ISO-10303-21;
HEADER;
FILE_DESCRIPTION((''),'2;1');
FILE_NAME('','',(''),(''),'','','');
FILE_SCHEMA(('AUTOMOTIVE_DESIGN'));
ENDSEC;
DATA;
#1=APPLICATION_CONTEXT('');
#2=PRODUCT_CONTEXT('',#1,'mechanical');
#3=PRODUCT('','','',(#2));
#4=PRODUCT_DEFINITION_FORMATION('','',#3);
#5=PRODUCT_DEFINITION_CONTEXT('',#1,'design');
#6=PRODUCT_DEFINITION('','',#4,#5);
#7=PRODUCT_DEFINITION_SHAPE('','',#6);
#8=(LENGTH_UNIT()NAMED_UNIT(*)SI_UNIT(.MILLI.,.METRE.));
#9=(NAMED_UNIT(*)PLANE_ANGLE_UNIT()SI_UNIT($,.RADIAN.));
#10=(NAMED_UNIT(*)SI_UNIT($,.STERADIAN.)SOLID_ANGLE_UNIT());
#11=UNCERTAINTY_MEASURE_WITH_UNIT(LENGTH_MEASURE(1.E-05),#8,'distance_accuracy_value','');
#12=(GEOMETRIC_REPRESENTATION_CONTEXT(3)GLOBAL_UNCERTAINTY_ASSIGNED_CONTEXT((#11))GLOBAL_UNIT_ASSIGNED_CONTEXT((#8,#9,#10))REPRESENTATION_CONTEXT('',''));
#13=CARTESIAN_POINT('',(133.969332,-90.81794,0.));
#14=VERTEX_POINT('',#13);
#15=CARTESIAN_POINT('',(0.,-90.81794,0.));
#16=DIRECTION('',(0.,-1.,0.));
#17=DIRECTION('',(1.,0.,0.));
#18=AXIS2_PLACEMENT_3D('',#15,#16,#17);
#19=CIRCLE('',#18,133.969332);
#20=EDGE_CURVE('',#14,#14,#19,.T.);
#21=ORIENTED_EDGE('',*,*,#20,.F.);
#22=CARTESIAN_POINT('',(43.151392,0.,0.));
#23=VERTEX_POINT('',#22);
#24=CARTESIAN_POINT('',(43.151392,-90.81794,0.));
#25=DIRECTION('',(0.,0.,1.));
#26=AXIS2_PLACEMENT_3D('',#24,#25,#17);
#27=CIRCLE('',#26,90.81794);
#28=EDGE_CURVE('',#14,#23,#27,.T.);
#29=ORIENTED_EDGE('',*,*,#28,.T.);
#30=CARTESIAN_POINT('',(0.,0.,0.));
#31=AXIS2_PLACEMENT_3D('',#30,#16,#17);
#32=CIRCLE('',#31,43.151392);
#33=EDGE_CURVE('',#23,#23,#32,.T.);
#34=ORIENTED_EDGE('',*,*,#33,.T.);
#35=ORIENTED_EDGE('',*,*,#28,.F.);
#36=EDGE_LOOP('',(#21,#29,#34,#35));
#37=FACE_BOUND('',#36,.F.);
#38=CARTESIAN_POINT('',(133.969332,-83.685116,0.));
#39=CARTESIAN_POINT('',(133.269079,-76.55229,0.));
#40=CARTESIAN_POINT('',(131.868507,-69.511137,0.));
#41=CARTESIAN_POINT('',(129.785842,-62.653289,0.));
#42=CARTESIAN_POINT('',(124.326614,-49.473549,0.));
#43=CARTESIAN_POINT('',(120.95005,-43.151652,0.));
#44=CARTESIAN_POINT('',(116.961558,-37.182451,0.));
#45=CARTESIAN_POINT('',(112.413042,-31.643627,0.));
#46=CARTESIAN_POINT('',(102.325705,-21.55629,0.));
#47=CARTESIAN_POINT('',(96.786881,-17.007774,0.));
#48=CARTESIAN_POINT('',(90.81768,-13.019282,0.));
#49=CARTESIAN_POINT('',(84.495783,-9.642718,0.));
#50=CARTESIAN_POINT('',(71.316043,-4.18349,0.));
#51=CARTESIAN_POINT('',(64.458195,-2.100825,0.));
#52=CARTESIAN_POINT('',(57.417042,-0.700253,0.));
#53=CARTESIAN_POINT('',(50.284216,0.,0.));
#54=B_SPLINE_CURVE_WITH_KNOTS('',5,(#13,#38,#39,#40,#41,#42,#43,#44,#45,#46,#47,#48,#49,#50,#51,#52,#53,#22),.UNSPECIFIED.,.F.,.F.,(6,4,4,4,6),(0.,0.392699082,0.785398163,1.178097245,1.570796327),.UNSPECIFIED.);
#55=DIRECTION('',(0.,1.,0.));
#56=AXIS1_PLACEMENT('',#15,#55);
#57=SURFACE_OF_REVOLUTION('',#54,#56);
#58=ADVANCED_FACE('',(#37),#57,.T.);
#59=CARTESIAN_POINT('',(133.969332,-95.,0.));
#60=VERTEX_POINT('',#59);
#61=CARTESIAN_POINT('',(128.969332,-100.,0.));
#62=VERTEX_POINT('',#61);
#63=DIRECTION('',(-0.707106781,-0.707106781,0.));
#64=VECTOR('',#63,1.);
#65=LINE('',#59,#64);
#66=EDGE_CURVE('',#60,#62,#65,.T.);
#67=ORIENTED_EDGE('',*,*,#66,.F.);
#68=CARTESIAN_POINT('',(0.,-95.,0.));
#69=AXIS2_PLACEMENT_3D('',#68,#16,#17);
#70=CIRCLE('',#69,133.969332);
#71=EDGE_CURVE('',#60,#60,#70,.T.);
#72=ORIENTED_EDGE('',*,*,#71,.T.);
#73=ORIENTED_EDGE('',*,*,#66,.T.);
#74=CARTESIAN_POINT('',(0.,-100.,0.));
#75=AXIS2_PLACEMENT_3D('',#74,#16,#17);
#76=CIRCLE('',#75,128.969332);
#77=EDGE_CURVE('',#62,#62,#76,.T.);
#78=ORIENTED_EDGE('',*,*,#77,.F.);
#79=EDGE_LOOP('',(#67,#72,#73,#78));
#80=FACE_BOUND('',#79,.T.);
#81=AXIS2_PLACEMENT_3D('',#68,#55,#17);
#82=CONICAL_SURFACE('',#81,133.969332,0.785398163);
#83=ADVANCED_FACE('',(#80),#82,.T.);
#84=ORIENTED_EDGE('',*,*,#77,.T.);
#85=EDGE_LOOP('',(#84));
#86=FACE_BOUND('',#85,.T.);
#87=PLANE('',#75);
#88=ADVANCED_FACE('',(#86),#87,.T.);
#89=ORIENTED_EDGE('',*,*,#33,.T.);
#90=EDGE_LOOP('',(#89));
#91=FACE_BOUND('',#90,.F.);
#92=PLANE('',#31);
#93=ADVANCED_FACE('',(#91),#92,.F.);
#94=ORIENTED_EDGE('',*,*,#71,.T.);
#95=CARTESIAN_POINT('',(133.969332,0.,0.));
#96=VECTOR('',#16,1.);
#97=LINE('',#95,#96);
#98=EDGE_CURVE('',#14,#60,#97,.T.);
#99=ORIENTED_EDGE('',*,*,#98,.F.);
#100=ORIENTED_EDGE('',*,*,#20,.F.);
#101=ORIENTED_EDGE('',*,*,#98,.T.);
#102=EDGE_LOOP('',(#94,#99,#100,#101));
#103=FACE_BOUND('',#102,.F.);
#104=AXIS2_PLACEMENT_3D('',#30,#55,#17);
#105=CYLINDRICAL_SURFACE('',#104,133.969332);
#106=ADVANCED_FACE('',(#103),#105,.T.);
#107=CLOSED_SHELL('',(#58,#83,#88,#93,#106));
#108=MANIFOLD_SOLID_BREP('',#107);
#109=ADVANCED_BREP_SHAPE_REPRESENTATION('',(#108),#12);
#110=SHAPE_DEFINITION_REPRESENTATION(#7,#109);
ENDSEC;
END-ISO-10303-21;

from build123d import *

# Parameters (mm, degrees)
F0_R     = 133.969332
F1_DEPTH = 100
F2_SIZE  = 5
F3_R     = 90.81794


with BuildPart() as f1:
    # F0 (on Front) → F1 (new body)
    with BuildSketch(Plane.XZ):
        Circle(F0_R)
    extrude(amount=F1_DEPTH)

    # F2
    f2_edges = [f1.edges().sort_by_distance(p)[0] for p in [
        (-133.969332, -100, 0),
    ]]
    chamfer(f2_edges, length=F2_SIZE)

    # F3
    f3_edges = [f1.edges().sort_by_distance(p)[0] for p in [
        (-133.969332, 0, 0),
    ]]
    fillet(f3_edges, radius=F3_R)


solid = f1.part
